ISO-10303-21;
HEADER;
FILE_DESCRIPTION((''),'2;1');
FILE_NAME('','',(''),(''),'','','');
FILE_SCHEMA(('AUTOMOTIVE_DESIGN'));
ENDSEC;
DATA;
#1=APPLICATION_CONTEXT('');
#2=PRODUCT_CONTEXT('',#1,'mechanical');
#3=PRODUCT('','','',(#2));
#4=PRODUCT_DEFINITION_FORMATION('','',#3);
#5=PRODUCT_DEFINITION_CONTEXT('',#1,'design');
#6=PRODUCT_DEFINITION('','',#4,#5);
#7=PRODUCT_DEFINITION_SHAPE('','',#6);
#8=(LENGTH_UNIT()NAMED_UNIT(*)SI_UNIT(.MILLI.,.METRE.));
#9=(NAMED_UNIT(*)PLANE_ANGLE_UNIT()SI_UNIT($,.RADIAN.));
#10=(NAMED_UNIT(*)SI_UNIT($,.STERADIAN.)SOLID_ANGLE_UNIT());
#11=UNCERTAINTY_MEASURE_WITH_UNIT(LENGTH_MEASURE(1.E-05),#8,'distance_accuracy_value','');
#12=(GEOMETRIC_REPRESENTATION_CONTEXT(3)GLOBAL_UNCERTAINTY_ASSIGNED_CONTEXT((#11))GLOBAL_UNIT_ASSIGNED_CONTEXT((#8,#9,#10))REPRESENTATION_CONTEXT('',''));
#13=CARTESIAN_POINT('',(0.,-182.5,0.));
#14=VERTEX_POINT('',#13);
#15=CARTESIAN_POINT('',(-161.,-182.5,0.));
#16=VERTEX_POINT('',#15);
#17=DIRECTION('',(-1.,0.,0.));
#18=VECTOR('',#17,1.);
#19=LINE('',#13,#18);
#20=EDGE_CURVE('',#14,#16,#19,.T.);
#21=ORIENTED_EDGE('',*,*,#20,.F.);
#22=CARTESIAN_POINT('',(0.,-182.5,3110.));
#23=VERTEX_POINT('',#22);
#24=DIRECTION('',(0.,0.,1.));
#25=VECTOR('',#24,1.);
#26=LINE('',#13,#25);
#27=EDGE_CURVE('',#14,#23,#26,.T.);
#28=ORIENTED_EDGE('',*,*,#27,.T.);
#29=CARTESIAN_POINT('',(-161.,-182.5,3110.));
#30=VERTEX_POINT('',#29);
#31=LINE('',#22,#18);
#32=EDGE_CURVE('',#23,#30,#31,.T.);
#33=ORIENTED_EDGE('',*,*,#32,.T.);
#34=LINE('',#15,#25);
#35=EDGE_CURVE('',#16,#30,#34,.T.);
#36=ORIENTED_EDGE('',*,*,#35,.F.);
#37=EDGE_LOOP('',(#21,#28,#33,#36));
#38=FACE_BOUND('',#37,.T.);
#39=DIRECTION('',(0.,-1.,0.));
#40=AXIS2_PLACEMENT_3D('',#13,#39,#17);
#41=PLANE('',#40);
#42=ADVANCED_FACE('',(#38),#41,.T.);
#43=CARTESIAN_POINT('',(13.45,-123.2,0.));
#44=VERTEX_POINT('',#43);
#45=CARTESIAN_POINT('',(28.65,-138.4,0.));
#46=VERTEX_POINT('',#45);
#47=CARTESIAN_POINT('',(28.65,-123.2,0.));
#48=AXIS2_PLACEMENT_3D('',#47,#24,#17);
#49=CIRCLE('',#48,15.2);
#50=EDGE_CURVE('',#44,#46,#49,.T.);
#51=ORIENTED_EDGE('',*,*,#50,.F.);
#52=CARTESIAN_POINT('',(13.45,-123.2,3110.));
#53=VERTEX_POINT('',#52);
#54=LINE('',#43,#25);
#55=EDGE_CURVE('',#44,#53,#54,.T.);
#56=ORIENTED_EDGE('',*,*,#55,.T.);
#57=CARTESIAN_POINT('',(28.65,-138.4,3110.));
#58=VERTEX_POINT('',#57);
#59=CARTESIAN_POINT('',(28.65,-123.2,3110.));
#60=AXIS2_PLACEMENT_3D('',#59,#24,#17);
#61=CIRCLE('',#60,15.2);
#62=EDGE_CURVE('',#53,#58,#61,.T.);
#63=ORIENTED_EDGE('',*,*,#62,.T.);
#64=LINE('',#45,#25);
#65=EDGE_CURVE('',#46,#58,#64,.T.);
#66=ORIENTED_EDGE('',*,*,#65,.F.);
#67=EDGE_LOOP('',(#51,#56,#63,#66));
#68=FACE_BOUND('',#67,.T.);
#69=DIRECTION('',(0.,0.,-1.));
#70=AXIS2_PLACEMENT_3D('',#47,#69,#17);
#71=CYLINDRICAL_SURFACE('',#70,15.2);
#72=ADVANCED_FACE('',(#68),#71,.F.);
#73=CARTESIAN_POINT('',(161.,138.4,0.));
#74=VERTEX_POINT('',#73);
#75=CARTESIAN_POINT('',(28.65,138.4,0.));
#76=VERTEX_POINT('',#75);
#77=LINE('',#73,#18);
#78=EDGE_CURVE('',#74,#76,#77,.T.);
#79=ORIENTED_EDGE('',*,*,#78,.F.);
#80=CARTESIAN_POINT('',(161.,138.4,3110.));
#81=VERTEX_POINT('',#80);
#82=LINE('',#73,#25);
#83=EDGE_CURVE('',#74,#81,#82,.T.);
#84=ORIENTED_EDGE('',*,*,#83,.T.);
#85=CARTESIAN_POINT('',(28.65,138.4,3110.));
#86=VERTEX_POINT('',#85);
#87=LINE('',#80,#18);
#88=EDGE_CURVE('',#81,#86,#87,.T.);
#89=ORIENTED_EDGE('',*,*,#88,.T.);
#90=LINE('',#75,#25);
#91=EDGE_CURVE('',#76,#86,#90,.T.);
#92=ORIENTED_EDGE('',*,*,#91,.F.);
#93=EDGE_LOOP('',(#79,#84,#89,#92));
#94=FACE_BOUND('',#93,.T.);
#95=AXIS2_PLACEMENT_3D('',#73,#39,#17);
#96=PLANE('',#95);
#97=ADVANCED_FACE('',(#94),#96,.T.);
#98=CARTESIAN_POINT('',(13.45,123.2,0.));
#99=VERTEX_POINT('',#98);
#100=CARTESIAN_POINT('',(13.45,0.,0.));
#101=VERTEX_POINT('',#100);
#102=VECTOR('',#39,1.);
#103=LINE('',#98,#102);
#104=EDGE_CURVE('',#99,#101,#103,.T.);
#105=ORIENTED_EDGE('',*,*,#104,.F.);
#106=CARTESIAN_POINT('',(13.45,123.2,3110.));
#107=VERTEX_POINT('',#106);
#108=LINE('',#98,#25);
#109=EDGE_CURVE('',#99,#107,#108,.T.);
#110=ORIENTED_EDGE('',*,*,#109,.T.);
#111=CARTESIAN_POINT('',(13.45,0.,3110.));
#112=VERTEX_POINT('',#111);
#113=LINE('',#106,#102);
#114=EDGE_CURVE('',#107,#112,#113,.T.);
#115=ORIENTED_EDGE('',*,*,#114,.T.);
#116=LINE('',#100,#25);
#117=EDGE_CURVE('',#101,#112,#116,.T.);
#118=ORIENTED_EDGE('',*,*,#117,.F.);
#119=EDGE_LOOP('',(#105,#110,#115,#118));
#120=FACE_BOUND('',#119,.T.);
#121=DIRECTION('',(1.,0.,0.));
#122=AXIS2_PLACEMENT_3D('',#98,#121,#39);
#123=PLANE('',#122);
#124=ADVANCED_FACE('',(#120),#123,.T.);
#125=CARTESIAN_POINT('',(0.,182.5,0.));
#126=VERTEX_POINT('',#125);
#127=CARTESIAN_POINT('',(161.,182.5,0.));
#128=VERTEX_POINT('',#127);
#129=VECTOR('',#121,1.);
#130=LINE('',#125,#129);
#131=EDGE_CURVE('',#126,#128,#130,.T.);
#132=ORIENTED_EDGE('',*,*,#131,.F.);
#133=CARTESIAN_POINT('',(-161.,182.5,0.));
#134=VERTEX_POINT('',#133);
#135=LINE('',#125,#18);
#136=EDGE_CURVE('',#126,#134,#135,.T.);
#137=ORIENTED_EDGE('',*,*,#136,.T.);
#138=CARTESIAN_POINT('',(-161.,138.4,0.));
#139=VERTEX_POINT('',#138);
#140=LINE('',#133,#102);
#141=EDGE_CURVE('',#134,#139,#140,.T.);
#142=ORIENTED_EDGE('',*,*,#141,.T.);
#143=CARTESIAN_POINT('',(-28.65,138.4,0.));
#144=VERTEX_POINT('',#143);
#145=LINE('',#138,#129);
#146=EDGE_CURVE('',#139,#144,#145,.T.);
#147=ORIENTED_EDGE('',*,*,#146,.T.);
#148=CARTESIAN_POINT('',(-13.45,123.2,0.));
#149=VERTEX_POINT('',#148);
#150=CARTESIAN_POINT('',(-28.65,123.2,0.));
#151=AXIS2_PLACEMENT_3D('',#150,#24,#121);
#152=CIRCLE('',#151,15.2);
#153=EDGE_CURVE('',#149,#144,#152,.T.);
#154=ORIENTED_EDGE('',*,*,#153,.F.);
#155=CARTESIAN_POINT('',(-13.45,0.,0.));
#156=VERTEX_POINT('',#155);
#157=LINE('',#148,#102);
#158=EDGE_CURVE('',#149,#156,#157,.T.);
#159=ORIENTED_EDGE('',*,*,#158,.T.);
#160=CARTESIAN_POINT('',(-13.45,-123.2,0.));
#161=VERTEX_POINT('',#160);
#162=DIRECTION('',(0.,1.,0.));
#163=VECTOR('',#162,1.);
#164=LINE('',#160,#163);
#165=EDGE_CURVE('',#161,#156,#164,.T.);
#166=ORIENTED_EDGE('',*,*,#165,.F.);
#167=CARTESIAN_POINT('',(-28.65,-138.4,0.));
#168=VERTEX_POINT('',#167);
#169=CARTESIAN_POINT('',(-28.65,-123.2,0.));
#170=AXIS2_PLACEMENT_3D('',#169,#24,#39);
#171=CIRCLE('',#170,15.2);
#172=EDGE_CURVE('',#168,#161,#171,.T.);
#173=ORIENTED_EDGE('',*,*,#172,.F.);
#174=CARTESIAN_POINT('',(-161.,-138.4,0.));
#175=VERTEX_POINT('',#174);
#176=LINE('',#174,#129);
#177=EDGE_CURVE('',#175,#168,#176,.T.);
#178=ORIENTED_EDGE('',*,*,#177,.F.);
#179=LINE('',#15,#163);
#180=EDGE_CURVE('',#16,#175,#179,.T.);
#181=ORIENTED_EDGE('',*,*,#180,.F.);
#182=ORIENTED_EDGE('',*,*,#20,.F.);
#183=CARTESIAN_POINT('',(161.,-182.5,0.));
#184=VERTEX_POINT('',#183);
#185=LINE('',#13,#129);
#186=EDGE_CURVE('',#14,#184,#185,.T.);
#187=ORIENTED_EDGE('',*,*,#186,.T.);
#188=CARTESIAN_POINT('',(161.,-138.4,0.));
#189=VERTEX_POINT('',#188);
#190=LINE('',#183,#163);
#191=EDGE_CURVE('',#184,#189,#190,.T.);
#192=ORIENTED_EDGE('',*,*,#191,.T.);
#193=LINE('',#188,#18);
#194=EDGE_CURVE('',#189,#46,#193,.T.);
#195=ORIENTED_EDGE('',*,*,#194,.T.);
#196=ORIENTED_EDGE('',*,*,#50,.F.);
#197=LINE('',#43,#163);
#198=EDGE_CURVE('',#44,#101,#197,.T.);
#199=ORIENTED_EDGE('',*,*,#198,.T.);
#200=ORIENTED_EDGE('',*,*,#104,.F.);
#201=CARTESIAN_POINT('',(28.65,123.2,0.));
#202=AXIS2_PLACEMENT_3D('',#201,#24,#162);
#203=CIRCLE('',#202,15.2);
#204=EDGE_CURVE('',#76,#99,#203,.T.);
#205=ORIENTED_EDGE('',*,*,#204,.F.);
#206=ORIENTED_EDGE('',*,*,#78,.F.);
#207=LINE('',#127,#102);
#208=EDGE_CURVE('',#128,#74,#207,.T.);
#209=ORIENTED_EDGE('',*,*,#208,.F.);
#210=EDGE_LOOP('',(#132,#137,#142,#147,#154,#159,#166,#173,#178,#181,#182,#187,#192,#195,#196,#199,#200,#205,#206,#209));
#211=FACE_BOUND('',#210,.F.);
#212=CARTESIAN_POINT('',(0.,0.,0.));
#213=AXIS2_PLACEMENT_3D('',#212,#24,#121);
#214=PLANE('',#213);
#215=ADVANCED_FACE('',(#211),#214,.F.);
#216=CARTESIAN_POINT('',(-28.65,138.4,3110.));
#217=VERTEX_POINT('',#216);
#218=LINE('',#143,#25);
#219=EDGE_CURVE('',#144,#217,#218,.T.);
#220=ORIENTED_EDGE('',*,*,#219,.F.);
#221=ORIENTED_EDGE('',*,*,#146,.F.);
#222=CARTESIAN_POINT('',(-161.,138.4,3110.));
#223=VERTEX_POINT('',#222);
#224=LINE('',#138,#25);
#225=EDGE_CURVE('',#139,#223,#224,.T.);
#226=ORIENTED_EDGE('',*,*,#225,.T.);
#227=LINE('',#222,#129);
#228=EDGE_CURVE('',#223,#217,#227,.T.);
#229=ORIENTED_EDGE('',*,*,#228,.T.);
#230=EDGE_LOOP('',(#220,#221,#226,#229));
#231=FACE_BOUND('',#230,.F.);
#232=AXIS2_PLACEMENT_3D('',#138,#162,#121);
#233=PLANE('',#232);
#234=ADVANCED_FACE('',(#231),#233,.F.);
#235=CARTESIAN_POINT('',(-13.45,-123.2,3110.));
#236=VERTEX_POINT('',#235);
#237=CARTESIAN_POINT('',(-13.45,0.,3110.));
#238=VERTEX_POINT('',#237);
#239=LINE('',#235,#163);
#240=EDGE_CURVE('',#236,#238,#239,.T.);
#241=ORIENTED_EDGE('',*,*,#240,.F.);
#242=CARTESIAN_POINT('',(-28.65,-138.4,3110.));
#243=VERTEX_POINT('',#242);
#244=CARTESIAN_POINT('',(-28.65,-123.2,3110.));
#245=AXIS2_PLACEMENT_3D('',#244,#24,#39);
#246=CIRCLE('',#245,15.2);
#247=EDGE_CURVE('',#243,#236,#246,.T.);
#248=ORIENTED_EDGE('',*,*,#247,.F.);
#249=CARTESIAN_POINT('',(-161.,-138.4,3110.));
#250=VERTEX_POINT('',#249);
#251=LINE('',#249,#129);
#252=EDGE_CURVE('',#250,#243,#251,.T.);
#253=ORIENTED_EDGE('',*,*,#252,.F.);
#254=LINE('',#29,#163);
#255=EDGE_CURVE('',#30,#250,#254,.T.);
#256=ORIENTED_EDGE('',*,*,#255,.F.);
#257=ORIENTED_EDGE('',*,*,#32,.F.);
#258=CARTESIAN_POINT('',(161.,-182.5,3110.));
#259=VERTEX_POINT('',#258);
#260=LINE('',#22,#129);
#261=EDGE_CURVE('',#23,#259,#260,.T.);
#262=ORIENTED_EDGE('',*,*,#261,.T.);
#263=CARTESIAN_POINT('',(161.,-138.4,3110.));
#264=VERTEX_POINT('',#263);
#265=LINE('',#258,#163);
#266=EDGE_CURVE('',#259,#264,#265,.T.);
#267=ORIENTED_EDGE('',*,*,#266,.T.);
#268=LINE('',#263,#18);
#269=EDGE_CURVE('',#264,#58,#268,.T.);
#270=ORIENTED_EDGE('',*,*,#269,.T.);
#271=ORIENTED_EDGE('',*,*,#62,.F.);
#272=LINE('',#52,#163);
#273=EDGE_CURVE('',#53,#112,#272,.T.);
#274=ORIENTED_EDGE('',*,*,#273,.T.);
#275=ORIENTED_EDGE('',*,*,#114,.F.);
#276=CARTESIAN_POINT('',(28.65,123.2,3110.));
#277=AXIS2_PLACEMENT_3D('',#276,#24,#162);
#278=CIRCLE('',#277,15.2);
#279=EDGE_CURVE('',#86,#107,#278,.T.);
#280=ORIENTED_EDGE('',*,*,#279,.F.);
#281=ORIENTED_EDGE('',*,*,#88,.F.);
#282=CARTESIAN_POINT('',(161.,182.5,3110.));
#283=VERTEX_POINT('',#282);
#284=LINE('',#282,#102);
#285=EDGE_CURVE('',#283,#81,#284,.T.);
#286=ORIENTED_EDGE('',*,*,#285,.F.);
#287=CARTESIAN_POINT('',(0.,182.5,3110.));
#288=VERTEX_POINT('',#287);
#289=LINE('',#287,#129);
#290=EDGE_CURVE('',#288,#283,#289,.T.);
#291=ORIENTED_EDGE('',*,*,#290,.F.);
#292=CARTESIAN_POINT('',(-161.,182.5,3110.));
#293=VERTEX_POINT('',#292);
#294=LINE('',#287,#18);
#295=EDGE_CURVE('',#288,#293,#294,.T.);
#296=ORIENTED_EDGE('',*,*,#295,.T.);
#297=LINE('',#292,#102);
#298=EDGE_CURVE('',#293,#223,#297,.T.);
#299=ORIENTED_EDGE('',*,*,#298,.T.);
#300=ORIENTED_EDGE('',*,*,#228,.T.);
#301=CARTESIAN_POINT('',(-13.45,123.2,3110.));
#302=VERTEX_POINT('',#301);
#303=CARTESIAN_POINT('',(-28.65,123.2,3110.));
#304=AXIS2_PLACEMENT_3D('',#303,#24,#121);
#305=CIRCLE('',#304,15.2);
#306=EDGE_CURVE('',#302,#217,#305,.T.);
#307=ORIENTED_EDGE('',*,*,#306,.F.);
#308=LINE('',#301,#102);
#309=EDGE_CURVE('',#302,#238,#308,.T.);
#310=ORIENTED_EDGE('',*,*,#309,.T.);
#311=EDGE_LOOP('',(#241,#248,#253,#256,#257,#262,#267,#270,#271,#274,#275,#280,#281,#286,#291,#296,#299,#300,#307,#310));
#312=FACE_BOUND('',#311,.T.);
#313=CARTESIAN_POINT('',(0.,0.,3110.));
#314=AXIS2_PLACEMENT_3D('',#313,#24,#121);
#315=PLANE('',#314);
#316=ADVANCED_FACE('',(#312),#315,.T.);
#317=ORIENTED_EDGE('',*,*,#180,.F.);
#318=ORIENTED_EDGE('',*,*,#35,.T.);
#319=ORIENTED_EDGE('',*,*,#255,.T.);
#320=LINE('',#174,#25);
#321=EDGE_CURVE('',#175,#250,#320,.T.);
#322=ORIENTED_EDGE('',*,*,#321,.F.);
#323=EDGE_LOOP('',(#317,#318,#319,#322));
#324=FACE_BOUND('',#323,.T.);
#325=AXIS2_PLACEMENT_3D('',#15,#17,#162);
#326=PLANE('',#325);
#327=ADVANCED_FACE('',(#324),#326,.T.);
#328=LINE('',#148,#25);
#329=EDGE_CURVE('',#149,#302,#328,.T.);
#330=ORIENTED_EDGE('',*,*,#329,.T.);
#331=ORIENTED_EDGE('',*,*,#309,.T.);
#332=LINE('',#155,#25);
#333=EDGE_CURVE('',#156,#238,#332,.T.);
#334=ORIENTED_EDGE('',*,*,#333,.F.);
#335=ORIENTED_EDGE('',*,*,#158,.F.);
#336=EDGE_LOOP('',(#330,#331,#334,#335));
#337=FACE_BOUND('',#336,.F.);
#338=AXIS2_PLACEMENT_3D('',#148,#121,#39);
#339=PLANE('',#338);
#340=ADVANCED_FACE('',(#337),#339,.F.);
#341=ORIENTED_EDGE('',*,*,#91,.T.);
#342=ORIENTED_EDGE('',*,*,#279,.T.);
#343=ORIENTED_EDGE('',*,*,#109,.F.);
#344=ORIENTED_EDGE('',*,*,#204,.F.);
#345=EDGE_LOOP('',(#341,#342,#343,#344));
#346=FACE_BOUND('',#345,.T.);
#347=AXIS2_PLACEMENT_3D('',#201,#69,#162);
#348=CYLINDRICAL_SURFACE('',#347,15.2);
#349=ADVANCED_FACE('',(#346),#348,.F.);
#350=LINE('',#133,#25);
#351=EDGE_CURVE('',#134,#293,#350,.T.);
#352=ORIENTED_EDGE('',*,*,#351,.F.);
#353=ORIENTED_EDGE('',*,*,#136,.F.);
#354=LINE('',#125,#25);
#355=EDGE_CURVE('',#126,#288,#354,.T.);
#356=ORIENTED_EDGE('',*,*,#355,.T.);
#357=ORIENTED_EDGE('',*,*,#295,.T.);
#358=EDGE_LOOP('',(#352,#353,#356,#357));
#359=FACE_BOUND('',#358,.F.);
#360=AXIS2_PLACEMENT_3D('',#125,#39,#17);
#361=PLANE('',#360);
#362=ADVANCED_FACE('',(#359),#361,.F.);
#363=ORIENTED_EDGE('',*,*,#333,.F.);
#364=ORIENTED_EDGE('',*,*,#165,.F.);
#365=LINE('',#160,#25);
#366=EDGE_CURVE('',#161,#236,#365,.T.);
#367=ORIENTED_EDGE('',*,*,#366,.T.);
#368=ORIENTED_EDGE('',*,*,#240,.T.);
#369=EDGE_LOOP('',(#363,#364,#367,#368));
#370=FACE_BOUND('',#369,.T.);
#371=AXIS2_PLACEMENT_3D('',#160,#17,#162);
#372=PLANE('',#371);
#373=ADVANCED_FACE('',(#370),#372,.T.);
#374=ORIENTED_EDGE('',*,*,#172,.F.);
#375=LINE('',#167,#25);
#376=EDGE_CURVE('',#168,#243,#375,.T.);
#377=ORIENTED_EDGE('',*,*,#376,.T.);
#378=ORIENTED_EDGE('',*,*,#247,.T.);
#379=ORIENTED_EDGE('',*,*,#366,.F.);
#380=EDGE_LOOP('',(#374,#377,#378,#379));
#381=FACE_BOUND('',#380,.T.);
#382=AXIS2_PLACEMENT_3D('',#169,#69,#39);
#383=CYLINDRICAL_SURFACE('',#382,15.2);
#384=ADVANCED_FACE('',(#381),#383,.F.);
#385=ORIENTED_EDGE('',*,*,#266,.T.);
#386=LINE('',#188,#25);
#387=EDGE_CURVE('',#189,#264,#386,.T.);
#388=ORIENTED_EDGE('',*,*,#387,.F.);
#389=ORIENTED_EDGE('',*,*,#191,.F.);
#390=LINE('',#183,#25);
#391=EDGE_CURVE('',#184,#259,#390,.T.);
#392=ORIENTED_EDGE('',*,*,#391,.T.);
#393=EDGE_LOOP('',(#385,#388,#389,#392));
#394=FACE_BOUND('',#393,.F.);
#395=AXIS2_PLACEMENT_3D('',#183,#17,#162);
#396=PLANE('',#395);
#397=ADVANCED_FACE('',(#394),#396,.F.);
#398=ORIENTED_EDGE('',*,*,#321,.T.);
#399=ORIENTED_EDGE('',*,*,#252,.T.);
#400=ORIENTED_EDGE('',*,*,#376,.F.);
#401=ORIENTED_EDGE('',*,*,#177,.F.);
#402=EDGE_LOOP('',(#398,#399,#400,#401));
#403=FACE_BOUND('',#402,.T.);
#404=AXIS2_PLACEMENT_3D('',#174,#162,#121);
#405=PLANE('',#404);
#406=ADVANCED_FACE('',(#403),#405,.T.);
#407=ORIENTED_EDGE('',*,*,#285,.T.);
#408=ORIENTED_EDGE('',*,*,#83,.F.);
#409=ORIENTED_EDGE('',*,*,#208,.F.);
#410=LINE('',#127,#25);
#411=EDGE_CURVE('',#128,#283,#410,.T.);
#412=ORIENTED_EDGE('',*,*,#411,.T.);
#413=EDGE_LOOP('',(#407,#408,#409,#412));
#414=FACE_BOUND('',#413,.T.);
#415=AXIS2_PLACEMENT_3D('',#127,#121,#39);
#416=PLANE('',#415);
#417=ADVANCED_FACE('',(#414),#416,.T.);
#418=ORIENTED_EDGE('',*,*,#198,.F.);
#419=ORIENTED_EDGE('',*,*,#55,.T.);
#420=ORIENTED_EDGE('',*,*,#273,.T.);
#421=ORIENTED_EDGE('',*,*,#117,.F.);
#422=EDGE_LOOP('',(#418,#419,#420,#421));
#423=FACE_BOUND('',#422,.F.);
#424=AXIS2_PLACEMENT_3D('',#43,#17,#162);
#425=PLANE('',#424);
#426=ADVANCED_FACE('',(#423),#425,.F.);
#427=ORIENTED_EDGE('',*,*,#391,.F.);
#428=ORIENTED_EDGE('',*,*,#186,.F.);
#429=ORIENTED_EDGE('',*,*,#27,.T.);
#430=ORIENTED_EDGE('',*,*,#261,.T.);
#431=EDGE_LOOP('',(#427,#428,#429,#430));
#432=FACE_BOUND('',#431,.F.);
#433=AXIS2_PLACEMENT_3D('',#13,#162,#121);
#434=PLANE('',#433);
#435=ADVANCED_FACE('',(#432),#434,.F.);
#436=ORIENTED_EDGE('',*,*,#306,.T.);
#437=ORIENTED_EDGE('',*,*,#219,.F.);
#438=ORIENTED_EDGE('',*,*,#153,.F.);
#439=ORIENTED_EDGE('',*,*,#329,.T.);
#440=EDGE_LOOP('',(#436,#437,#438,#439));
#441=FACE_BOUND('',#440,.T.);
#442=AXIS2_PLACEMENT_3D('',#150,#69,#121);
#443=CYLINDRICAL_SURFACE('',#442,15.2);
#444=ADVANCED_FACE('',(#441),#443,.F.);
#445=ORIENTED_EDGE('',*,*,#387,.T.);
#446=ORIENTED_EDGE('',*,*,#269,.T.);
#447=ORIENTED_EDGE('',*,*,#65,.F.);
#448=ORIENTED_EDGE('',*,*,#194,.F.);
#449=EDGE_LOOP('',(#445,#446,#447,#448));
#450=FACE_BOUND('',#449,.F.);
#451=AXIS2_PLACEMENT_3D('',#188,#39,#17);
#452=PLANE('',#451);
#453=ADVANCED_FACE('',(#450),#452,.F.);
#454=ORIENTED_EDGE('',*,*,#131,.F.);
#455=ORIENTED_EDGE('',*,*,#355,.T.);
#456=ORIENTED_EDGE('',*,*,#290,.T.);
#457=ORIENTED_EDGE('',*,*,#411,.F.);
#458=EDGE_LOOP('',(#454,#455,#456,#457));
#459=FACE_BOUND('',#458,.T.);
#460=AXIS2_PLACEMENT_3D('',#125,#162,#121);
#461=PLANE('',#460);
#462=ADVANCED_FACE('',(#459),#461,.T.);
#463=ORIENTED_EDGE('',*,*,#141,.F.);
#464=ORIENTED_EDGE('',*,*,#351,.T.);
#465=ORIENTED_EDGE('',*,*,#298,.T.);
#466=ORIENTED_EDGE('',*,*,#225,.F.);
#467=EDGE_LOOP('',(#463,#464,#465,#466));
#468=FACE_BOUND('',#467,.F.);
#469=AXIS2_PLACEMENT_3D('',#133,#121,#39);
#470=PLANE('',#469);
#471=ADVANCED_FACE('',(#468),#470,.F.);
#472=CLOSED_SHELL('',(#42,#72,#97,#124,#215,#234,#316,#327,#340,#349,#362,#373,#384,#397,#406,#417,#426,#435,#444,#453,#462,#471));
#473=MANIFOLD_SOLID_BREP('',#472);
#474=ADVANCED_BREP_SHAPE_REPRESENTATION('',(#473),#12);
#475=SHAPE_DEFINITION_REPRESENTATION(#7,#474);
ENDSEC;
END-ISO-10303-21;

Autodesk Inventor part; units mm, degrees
ref_plane "YZ Plane" through (0, 0, 0) normal (1, 0, 0) x (0, 1, 0)
ref_plane "Start plane" through (0, 0, 0) normal (0, 0, 1) x (1, 0, 0)
ref_plane "End plane" through (0, 0, 3110) normal (0, 0, 1) x (1, 0, 0)
sketch "Sketch" plane through (0, 0, 0) normal (0, 0, 1) x (1, 0, 0)
  line L0 (-161, -182.5) -> (-161, -138.4)
  line L1 (-161, -138.4) -> (-28.65, -138.4)
  line L2 (-13.45, -123.2) -> (-13.45, 0)
  line L3 (-13.45, 0) -> (0, 0) construction
  line L4 (0, 0) -> (0, -182.5) construction
  line L5 (0, -182.5) -> (-161, -182.5)
  line L6 (-60, 0) -> (80, 0) construction
  line L7 (0, -60) -> (0, 80) construction
  line L8 (161, -182.5) -> (161, -138.4)
  line L9 (161, -138.4) -> (28.65, -138.4)
  line L10 (13.45, -123.2) -> (13.45, 0)
  line L11 (13.45, 0) -> (0, 0) construction
  line L12 (0, -182.5) -> (161, -182.5)
  line L13 (-161, 182.5) -> (-161, 138.4)
  line L14 (-161, 138.4) -> (-28.65, 138.4)
  line L15 (-13.45, 123.2) -> (-13.45, 0)
  line L16 (0, 182.5) -> (-161, 182.5)
  line L17 (161, 182.5) -> (161, 138.4)
  line L18 (161, 138.4) -> (28.65, 138.4)
  line L19 (0, 182.5) -> (161, 182.5)
  line L20 (13.45, 123.2) -> (13.45, 0)
  arc A0 (-13.45, 123.2) -> (-28.65, 138.4) centre (-28.65, 123.2) ccw
  arc A1 (28.65, 138.4) -> (13.45, 123.2) centre (28.65, 123.2) ccw
  arc A2 (13.45, -123.2) -> (28.65, -138.4) centre (28.65, -123.2) ccw
  arc A3 (-28.65, -138.4) -> (-13.45, -123.2) centre (-28.65, -123.2) ccw
  line L21 (0, 108) -> (0, -88) construction
  line L22 (-88, 0) -> (108, 0) construction
  point P0 (-13.45, -138.4)
  point P1 (13.45, -138.4)
  point P2 (-13.45, 138.4)
  point P3 (13.45, 138.4)
  dimension "d1" = 182.5
  dimension "d2" = 44.1
  dimension "d3" = 161
  dimension "d4" = 13.45
  dimension "d10" = 15.2
extrude "Body" add sketch "Sketch" along normal up to surface (3110 mm away) from surface at 0
sketch "Sketch4" plane through (0, 0, 0) normal (0, 0, 1) x (1, 0, 0)
  line L0 (0, 0) -> (10, 0)
ref_plane "Work Plane3" through (0, 0, 0) normal (0, -1, 0) x (1, 0, 0)
sketch "Sketch5" plane through (0, 0, 0) normal (0, -1, 0) x (1, 0, 0)
  line L0 (-2, 0) -> (12, 0) projected
  line L1 (-2, 3110) -> (12, 3110) projected
  dimension "d14" = 3110
equation "\"d1\" = 0.5 * G_H"
equation "\"d2\" = G_T1"
equation "\"d3\" = 0.5 * G_W"
equation "\"d4\" = 0.5 * G_T"
equation "\"d10\" = G_IR"
equation "\"d5\" = G_L"
equation "\"G_W\" = 322"
equation "\"G_H\" = 365"
equation "\"G_T\" = 26.9"
equation "\"G_T1\" = 44.1"
equation "\"G_IR\" = 15.2"
equation "\"G_L\" = d14"
equation "\"G_OFFSET_START\" = 0"
equation "\"G_OFFSET_END\" = 0"
properties part number "AS 3679 - 310 UC - 283 - 3110" material "Steel, Mild"
